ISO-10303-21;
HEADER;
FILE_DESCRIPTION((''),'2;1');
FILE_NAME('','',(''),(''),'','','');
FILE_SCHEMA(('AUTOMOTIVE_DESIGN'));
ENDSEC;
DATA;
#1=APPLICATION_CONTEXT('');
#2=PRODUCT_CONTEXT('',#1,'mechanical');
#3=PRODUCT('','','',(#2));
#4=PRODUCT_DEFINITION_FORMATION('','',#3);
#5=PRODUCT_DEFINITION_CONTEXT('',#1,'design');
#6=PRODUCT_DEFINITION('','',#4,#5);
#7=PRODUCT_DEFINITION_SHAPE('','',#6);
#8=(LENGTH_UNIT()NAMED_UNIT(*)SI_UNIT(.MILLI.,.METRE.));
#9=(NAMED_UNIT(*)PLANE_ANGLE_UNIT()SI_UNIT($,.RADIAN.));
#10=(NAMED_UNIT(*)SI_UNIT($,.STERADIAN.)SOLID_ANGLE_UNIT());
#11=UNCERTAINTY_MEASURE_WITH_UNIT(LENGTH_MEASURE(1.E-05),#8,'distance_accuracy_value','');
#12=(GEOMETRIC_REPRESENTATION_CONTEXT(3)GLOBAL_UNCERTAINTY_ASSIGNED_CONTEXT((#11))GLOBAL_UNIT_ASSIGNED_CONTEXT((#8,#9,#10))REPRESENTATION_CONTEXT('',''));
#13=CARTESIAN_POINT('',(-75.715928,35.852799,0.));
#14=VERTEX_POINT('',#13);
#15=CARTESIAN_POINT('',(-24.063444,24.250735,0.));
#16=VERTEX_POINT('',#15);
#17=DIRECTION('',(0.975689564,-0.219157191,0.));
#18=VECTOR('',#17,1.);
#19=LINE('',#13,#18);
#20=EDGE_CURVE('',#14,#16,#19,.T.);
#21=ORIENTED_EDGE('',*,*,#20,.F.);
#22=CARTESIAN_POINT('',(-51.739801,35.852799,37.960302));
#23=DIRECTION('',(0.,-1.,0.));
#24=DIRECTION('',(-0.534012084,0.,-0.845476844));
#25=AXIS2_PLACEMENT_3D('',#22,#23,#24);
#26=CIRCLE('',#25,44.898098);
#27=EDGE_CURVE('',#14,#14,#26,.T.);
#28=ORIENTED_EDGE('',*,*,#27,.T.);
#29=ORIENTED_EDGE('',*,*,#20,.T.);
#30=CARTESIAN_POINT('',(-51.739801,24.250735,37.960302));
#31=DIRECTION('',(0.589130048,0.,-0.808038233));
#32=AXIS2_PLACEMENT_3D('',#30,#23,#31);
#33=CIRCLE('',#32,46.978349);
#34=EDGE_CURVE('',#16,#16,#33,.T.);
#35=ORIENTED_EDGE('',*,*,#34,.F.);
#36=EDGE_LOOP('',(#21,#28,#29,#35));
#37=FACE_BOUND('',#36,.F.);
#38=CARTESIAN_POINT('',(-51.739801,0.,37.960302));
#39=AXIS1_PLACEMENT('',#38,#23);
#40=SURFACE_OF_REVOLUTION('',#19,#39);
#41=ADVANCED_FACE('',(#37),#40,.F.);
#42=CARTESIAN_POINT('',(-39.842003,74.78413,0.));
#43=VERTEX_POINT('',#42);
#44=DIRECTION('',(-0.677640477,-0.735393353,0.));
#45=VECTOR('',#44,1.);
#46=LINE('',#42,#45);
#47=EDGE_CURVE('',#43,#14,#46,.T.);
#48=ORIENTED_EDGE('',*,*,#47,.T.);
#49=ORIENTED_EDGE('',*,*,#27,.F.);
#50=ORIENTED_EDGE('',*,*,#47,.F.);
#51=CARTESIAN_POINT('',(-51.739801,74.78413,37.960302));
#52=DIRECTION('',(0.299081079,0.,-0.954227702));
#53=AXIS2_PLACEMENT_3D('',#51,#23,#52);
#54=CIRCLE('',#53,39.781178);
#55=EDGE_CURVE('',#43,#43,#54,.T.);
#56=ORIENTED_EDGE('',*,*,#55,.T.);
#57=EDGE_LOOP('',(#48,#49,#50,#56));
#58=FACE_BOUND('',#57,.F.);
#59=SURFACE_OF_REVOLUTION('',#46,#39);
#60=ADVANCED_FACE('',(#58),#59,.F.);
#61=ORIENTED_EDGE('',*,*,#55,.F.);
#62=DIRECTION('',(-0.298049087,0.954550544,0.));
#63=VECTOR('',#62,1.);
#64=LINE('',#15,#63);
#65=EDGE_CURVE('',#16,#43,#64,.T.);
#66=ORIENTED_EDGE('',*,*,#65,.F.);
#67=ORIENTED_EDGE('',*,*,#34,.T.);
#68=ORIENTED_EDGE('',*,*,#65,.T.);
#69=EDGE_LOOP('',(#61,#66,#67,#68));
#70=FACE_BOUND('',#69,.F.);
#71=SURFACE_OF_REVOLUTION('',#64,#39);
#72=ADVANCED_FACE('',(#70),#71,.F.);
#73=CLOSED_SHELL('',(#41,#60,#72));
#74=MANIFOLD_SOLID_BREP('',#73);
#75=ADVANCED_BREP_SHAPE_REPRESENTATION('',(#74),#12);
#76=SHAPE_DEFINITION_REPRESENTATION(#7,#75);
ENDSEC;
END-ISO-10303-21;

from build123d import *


with BuildPart() as f2:
    # F1 (on Top) → F2 (revolve)
    with BuildSketch(Plane.XY):
        Polygon((-24.063443765, 24.2507345974), (-39.8420030611, 74.7841299484), (-75.7159275264, 35.8527990874), align=None)
    revolve(axis=Axis((-51.7398007214, 0, 37.9603020847), (0, -1, 0)))


solid = f2.part
